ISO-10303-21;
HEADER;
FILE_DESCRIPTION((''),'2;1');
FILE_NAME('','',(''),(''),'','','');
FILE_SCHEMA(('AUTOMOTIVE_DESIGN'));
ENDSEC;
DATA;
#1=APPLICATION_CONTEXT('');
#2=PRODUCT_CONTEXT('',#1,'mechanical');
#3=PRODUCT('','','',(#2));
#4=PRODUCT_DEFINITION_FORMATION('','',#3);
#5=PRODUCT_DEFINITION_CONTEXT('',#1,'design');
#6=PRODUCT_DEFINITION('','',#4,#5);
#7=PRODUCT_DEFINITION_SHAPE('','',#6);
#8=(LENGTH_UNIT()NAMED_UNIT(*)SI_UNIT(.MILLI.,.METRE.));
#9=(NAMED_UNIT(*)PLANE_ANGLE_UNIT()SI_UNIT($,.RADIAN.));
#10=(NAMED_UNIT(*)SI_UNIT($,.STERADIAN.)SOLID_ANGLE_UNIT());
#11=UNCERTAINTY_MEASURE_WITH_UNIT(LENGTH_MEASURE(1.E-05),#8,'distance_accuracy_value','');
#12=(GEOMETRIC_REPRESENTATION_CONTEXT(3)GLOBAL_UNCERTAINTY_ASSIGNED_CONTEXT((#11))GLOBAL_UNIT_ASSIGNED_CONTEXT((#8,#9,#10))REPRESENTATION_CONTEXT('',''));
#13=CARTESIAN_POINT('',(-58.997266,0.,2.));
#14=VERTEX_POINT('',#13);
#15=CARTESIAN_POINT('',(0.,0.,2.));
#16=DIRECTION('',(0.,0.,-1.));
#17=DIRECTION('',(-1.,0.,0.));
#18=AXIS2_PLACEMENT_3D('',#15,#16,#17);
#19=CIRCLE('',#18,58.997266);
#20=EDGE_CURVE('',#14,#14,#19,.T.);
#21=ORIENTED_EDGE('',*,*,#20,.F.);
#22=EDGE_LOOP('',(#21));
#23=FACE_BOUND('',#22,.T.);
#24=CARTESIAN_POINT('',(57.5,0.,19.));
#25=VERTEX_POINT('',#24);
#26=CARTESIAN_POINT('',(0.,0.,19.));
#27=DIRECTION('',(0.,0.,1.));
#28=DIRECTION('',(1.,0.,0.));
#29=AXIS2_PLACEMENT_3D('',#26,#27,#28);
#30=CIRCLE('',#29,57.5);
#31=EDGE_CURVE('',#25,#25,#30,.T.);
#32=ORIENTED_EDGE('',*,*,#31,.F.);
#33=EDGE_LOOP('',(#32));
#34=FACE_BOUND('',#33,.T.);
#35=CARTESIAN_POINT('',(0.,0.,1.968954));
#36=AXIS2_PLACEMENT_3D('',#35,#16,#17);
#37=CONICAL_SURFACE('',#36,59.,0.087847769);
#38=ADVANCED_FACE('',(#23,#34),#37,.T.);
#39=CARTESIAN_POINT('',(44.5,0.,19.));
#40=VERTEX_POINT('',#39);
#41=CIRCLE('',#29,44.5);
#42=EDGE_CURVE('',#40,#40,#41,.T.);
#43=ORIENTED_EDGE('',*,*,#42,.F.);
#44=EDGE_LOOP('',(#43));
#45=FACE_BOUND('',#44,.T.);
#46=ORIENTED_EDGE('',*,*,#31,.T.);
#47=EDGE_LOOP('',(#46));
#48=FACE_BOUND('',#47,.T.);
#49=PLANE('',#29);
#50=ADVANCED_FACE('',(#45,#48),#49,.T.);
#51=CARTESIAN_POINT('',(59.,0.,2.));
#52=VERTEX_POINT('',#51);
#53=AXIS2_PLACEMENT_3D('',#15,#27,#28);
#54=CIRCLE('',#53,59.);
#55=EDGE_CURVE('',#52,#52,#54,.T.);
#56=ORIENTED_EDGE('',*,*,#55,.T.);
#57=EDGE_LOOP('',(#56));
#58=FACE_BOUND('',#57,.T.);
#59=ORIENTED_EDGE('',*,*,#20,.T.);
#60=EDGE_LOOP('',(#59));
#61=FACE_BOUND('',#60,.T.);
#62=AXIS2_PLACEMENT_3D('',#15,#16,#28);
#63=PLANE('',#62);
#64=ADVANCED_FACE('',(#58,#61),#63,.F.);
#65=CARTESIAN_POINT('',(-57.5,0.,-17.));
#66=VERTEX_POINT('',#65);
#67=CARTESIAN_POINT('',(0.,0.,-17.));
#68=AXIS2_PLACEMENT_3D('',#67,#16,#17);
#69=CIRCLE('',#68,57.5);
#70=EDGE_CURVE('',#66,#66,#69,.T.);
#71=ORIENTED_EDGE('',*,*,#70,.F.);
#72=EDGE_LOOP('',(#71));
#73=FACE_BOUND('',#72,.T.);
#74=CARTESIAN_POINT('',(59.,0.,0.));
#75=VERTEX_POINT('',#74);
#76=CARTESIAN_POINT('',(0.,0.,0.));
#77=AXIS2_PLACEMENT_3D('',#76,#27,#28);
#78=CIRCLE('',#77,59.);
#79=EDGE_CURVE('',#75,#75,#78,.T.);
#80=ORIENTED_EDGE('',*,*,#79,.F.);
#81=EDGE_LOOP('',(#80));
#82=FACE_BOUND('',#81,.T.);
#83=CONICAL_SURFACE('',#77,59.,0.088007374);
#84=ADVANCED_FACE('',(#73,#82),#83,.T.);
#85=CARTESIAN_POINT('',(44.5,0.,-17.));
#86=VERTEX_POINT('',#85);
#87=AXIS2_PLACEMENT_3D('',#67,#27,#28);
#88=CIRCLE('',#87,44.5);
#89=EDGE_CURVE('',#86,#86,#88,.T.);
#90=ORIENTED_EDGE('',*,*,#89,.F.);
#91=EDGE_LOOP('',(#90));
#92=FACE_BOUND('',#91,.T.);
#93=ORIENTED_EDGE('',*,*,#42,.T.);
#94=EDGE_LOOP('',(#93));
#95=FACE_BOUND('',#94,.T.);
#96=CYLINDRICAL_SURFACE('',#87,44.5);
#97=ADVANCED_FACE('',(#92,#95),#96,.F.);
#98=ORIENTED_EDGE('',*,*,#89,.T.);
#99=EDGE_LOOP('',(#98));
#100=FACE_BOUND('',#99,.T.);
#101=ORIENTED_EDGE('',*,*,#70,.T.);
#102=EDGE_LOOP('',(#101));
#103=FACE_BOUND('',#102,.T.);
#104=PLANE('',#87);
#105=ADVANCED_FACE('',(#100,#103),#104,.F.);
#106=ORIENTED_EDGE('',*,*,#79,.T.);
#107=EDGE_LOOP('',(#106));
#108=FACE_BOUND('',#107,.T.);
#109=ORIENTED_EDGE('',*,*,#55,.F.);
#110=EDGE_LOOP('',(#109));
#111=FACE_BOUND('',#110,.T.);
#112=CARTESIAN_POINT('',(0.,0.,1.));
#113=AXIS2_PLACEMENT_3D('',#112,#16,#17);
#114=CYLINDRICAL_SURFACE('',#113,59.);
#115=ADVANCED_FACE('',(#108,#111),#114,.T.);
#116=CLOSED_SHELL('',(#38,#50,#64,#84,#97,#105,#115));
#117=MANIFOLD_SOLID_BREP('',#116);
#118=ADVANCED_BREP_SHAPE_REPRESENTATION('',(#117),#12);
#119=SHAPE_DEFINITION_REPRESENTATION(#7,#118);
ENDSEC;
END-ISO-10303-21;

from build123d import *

# Parameters (mm, degrees)
SKETCH11_R          = 57.5
SKETCH11_R_2        = 44.5
BOSS_EXTRUDE3_DEPTH = 17
BOSS_EXTRUDE4_START = 1
SKETCH12_R          = 59
SKETCH12_R_2        = 44.5
BOSS_EXTRUDE4_DEPTH = 1
BOSS_EXTRUDE5_START = 17
SKETCH15_R          = 57.5
SKETCH15_R_2        = 44.5
BOSS_EXTRUDE5_DEPTH = 17


with BuildPart() as part:
    # Sketch10 → Revolve1 (revolve)
    with BuildSketch(Plane(origin=(0, 0, 0), x_dir=(1, 0, 0), z_dir=(0, 1, 0)), mode=Mode.PRIVATE) as revolve1_sk:
        Polygon((57.5, 17), (57.5, 0), (59, 0), align=None)
    revolve(revolve1_sk.sketch.rotate(Axis((0, 0, -66.869527167), (0, 0, 1)), 180), axis=Axis((0, 0, -66.869527167), (0, 0, 1)))

    # Sketch11 → Boss-Extrude3 (add)
    with BuildSketch(Plane.XY):
        Circle(SKETCH11_R)
        Circle(SKETCH11_R_2, mode=Mode.SUBTRACT)
    extrude(amount=-BOSS_EXTRUDE3_DEPTH)

    # Sketch12 → Boss-Extrude4 (add)
    with BuildSketch(Plane.XY.offset(BOSS_EXTRUDE4_START)):
        Circle(SKETCH12_R)
        Circle(SKETCH12_R_2, mode=Mode.SUBTRACT)
    boss_extrude4 = extrude(amount=-BOSS_EXTRUDE4_DEPTH)

    # Mirror11: Boss-Extrude4 across plane
    add(boss_extrude4.mirror(Plane.XY.offset(1)))

    # Sketch14 → Revolve2 (revolve)
    with BuildSketch(Plane(origin=(0, 0, 0), x_dir=(1, 0, 0), z_dir=(0, 1, 0)), mode=Mode.PRIVATE) as revolve2_sk:
        Polygon((-57.5, -2), (-57.5, -19), (-59, -1.968953878), align=None)
    revolve(revolve2_sk.sketch.rotate(Axis((0, 0, -34.208114596), (0, 0, 1)), 180), axis=Axis((0, 0, -34.208114596), (0, 0, 1)))

    # Sketch15 → Boss-Extrude5 (add)
    with BuildSketch(Plane.XY.offset(2).offset(BOSS_EXTRUDE5_START)):
        Circle(SKETCH15_R)
        Circle(SKETCH15_R_2, mode=Mode.SUBTRACT)
    extrude(amount=-BOSS_EXTRUDE5_DEPTH)


solid = part.part
